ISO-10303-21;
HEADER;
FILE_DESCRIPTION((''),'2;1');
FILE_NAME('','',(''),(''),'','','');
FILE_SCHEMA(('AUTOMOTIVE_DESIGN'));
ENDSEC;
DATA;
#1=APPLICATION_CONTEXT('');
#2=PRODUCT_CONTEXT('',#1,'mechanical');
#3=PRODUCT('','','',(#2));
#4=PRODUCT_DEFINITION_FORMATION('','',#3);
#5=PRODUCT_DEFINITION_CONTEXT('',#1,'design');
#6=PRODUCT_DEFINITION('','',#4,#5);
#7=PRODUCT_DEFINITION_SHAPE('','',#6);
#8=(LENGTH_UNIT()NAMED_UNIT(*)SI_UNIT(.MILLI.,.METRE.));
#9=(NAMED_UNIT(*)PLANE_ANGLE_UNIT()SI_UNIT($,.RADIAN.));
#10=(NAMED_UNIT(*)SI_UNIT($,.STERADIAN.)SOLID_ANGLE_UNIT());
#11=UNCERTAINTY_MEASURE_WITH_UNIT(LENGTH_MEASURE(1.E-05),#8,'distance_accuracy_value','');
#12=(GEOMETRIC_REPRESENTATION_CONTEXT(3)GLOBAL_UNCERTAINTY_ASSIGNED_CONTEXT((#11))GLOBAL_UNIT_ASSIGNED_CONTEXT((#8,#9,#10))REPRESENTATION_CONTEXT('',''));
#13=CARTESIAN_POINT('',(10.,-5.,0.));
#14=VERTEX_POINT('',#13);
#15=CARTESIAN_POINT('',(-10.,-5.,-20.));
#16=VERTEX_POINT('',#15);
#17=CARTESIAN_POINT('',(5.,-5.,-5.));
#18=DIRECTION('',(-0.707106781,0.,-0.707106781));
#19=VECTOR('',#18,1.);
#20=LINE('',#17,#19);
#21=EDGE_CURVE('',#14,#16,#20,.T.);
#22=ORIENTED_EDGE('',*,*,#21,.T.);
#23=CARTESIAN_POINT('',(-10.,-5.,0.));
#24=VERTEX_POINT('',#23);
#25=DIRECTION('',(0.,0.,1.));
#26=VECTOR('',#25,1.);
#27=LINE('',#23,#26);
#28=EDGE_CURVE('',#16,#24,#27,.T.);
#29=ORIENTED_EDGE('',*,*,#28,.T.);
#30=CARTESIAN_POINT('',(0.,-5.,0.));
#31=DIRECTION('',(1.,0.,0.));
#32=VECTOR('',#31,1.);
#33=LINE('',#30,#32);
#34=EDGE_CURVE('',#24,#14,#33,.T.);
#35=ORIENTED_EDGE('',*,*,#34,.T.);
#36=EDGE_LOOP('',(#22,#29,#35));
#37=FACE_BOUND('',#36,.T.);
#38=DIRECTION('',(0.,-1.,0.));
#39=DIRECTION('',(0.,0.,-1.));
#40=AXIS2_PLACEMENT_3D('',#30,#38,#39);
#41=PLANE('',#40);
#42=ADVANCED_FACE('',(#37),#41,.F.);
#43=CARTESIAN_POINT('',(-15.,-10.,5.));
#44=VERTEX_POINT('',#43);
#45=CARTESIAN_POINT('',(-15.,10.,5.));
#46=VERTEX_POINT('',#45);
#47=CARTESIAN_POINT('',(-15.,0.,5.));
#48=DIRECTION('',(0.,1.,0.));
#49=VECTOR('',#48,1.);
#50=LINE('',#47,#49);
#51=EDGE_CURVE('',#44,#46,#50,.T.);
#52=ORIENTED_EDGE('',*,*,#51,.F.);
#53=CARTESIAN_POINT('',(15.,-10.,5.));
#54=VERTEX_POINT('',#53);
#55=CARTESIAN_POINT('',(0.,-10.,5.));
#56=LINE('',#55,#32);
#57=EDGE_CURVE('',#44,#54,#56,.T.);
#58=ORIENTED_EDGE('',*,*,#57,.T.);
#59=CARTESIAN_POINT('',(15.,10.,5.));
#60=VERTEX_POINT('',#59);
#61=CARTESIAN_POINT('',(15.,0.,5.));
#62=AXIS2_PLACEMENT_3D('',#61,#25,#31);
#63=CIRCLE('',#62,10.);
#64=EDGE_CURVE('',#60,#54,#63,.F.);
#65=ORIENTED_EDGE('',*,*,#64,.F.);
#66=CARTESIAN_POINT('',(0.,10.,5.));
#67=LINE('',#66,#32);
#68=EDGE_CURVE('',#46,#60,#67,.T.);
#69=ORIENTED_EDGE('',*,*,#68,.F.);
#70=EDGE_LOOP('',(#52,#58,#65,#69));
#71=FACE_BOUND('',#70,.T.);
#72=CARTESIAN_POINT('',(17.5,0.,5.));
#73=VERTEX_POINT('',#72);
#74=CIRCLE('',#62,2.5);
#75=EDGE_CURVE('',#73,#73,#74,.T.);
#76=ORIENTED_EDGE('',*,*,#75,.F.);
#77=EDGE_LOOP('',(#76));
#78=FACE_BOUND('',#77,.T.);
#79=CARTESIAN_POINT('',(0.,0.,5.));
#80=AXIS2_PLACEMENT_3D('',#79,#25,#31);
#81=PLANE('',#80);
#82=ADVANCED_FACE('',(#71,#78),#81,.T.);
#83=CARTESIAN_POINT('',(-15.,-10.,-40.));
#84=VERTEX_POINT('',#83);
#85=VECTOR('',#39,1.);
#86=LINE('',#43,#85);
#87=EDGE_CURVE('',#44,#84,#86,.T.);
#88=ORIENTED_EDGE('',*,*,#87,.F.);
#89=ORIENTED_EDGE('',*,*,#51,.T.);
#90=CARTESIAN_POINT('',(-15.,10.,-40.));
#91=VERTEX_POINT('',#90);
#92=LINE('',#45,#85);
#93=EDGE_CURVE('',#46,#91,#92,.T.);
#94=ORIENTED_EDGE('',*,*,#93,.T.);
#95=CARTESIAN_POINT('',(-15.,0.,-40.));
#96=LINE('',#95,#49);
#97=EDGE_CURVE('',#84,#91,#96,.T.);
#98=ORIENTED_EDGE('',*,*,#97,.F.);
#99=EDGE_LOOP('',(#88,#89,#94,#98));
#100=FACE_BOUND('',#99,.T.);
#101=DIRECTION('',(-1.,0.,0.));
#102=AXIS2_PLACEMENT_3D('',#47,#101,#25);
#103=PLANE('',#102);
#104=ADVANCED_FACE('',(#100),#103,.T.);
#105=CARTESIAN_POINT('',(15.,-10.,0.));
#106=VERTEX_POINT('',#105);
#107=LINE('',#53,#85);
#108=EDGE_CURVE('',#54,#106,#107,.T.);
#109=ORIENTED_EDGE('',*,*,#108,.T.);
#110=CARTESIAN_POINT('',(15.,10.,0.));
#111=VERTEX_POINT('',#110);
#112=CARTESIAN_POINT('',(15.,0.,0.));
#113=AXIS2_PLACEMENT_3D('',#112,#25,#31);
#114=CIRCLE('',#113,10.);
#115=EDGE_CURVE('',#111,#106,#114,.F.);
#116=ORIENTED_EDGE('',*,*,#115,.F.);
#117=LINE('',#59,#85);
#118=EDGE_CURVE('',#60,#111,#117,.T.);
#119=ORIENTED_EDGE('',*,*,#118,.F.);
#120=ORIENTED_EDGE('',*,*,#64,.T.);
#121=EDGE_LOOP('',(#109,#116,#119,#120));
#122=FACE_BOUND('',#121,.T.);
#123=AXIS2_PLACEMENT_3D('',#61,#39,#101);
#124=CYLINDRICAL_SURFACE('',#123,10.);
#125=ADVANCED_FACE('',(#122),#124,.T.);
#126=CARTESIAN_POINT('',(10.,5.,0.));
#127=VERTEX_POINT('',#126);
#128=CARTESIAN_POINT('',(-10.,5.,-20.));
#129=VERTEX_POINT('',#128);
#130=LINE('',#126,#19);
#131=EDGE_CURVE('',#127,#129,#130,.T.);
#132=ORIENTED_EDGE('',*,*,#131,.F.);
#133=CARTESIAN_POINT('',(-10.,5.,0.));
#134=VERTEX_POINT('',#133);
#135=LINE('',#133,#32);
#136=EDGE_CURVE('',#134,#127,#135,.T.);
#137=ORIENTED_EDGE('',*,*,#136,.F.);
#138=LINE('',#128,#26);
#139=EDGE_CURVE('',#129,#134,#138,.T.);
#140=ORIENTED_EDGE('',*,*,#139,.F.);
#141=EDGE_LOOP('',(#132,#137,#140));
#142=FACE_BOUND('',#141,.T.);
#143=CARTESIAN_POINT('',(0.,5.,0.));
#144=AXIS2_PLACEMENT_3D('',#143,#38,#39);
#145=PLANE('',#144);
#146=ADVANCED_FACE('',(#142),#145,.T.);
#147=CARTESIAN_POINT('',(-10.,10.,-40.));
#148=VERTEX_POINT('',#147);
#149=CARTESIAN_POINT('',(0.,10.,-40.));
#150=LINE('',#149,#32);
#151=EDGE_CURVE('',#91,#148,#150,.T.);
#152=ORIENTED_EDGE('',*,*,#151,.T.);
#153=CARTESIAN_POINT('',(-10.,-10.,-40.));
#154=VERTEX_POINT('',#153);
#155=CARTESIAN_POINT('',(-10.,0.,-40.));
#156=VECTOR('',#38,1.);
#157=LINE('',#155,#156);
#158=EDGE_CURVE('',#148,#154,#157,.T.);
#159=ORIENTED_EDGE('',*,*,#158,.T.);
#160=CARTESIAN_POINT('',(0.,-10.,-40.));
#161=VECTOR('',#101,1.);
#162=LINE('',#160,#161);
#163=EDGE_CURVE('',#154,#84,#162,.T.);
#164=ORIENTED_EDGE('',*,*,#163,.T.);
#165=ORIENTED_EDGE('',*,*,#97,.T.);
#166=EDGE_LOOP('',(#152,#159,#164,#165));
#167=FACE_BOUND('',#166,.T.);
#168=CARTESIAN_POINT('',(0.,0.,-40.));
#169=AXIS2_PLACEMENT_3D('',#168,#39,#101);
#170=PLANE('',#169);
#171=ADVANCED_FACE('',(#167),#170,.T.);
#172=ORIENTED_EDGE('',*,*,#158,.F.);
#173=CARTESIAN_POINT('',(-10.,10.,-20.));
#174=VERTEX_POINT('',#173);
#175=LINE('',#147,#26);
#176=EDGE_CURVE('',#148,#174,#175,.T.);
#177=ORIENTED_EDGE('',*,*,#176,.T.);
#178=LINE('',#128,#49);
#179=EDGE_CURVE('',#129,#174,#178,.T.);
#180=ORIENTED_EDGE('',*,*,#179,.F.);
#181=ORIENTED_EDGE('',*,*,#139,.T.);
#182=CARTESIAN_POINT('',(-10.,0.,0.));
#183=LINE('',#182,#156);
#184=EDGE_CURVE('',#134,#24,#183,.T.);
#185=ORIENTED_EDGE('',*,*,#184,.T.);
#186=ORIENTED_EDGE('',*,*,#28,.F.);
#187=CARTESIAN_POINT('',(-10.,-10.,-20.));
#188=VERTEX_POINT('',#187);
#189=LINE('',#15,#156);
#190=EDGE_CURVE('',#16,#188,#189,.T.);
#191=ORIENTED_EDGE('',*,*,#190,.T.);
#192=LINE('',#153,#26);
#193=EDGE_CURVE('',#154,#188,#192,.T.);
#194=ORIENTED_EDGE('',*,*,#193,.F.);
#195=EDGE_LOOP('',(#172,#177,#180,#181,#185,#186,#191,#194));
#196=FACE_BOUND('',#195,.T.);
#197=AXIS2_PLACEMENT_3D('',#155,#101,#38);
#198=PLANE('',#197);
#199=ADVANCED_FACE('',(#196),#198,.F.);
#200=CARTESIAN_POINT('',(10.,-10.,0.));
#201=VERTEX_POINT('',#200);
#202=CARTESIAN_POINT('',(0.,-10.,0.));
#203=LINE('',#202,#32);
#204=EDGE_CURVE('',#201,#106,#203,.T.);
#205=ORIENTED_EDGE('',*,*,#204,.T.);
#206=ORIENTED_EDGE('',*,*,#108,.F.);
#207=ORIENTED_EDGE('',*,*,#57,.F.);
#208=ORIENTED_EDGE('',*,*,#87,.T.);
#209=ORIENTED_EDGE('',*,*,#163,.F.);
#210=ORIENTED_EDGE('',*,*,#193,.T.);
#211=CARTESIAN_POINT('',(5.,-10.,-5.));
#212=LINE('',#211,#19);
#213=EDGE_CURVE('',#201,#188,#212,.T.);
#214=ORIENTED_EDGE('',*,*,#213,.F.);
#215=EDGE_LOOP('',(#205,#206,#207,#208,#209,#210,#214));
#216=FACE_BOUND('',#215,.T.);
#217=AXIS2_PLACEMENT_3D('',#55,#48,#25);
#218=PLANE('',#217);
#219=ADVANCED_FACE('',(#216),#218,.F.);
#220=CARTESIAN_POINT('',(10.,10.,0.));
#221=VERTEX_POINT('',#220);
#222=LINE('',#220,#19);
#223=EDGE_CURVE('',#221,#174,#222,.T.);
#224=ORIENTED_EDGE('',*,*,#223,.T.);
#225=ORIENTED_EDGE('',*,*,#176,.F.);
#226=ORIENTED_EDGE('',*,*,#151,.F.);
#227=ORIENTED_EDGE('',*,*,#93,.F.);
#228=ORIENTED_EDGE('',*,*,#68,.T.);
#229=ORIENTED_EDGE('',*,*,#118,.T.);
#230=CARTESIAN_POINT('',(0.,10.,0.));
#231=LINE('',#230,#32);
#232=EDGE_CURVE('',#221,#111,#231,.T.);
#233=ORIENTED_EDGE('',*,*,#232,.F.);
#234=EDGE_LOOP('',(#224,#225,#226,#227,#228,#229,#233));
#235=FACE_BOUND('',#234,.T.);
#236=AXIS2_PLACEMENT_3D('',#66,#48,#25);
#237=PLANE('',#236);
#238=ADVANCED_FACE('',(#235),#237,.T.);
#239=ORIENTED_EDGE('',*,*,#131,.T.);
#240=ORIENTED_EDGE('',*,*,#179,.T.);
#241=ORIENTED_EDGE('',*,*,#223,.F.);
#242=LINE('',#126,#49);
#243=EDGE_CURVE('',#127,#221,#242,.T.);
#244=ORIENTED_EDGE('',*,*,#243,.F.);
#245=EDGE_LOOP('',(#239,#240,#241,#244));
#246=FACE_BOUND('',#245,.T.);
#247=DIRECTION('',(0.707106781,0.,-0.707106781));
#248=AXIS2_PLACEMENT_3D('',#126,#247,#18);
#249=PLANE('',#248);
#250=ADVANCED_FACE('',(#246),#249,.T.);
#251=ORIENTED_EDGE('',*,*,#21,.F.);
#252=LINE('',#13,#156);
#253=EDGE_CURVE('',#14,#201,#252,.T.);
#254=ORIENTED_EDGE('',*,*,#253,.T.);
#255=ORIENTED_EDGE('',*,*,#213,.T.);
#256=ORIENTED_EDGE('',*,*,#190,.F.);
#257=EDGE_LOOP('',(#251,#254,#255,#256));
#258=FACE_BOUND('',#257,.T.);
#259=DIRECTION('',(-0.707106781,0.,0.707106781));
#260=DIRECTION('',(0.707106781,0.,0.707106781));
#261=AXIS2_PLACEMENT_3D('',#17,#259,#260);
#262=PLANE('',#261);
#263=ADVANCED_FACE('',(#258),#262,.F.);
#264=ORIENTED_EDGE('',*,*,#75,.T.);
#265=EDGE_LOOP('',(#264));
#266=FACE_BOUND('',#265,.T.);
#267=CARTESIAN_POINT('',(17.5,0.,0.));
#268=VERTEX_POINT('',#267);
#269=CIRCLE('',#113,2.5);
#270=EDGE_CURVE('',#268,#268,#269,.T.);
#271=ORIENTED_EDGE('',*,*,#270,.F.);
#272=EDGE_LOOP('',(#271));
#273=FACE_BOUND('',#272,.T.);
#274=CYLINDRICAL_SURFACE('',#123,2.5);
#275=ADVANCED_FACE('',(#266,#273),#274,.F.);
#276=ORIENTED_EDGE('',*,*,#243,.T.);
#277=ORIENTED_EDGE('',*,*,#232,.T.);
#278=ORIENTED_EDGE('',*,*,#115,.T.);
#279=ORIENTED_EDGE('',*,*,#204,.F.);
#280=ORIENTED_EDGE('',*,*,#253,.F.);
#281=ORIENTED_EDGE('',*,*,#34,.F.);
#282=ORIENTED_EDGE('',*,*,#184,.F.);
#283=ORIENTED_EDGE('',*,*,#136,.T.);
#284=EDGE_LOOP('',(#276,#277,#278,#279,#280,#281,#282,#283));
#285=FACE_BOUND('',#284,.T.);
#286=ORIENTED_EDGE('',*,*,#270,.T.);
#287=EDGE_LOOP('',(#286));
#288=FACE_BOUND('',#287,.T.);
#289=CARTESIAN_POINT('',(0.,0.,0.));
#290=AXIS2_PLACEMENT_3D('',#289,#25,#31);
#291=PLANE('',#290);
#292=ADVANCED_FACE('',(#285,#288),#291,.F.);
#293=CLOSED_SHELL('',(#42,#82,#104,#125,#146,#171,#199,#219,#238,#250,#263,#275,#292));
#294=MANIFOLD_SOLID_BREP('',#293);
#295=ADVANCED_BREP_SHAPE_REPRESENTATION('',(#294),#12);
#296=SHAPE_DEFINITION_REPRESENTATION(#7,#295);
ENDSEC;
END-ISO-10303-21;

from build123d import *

# Parameters (mm, degrees)
SKETCH1_R           = 2.5
BOSS_EXTRUDE1_DEPTH = 5
SKETCH2_W           = 5
SKETCH2_H           = 20
BOSS_EXTRUDE2_DEPTH = 40
BOSS_EXTRUDE3_DEPTH = 5
BOSS_EXTRUDE4_DEPTH = 5


with BuildPart() as part:
    # Sketch1 → Boss-Extrude1 (new body)
    with BuildSketch(Plane.XY):
        with BuildLine():
            Line((-15, -10), (-15, 10))
            Line((-15, 10), (15, 10))
            ThreePointArc((15, 10), (25, 0), (15, -10))
            Line((15, -10), (-15, -10))
        make_face()
        with Locations((15, 0)):
            Circle(SKETCH1_R, mode=Mode.SUBTRACT)
    extrude(amount=BOSS_EXTRUDE1_DEPTH)

    # Sketch2 → Boss-Extrude2 (add)
    with BuildSketch(Plane(origin=(0, 0, 0), x_dir=(-1, 0, 0), z_dir=(0, 0, -1))):
        with Locations((12.5, 0)):
            Rectangle(SKETCH2_W, SKETCH2_H)
    extrude(amount=BOSS_EXTRUDE2_DEPTH)

    # Sketch4 → Boss-Extrude3 (add)
    with BuildSketch(Plane.XZ.offset(10)):
        Polygon((-10, -20), (10, 0), (-10, 0), align=None)
    extrude(amount=-BOSS_EXTRUDE3_DEPTH)

    # Sketch5 → Boss-Extrude4 (add)
    with BuildSketch(Plane(origin=(0, 10, 0), x_dir=(1, 0, 0), z_dir=(0, 1, 0))):
        Polygon((10, 0), (-10, 20), (-10, 0), align=None)
    extrude(amount=-BOSS_EXTRUDE4_DEPTH)


solid = part.part
